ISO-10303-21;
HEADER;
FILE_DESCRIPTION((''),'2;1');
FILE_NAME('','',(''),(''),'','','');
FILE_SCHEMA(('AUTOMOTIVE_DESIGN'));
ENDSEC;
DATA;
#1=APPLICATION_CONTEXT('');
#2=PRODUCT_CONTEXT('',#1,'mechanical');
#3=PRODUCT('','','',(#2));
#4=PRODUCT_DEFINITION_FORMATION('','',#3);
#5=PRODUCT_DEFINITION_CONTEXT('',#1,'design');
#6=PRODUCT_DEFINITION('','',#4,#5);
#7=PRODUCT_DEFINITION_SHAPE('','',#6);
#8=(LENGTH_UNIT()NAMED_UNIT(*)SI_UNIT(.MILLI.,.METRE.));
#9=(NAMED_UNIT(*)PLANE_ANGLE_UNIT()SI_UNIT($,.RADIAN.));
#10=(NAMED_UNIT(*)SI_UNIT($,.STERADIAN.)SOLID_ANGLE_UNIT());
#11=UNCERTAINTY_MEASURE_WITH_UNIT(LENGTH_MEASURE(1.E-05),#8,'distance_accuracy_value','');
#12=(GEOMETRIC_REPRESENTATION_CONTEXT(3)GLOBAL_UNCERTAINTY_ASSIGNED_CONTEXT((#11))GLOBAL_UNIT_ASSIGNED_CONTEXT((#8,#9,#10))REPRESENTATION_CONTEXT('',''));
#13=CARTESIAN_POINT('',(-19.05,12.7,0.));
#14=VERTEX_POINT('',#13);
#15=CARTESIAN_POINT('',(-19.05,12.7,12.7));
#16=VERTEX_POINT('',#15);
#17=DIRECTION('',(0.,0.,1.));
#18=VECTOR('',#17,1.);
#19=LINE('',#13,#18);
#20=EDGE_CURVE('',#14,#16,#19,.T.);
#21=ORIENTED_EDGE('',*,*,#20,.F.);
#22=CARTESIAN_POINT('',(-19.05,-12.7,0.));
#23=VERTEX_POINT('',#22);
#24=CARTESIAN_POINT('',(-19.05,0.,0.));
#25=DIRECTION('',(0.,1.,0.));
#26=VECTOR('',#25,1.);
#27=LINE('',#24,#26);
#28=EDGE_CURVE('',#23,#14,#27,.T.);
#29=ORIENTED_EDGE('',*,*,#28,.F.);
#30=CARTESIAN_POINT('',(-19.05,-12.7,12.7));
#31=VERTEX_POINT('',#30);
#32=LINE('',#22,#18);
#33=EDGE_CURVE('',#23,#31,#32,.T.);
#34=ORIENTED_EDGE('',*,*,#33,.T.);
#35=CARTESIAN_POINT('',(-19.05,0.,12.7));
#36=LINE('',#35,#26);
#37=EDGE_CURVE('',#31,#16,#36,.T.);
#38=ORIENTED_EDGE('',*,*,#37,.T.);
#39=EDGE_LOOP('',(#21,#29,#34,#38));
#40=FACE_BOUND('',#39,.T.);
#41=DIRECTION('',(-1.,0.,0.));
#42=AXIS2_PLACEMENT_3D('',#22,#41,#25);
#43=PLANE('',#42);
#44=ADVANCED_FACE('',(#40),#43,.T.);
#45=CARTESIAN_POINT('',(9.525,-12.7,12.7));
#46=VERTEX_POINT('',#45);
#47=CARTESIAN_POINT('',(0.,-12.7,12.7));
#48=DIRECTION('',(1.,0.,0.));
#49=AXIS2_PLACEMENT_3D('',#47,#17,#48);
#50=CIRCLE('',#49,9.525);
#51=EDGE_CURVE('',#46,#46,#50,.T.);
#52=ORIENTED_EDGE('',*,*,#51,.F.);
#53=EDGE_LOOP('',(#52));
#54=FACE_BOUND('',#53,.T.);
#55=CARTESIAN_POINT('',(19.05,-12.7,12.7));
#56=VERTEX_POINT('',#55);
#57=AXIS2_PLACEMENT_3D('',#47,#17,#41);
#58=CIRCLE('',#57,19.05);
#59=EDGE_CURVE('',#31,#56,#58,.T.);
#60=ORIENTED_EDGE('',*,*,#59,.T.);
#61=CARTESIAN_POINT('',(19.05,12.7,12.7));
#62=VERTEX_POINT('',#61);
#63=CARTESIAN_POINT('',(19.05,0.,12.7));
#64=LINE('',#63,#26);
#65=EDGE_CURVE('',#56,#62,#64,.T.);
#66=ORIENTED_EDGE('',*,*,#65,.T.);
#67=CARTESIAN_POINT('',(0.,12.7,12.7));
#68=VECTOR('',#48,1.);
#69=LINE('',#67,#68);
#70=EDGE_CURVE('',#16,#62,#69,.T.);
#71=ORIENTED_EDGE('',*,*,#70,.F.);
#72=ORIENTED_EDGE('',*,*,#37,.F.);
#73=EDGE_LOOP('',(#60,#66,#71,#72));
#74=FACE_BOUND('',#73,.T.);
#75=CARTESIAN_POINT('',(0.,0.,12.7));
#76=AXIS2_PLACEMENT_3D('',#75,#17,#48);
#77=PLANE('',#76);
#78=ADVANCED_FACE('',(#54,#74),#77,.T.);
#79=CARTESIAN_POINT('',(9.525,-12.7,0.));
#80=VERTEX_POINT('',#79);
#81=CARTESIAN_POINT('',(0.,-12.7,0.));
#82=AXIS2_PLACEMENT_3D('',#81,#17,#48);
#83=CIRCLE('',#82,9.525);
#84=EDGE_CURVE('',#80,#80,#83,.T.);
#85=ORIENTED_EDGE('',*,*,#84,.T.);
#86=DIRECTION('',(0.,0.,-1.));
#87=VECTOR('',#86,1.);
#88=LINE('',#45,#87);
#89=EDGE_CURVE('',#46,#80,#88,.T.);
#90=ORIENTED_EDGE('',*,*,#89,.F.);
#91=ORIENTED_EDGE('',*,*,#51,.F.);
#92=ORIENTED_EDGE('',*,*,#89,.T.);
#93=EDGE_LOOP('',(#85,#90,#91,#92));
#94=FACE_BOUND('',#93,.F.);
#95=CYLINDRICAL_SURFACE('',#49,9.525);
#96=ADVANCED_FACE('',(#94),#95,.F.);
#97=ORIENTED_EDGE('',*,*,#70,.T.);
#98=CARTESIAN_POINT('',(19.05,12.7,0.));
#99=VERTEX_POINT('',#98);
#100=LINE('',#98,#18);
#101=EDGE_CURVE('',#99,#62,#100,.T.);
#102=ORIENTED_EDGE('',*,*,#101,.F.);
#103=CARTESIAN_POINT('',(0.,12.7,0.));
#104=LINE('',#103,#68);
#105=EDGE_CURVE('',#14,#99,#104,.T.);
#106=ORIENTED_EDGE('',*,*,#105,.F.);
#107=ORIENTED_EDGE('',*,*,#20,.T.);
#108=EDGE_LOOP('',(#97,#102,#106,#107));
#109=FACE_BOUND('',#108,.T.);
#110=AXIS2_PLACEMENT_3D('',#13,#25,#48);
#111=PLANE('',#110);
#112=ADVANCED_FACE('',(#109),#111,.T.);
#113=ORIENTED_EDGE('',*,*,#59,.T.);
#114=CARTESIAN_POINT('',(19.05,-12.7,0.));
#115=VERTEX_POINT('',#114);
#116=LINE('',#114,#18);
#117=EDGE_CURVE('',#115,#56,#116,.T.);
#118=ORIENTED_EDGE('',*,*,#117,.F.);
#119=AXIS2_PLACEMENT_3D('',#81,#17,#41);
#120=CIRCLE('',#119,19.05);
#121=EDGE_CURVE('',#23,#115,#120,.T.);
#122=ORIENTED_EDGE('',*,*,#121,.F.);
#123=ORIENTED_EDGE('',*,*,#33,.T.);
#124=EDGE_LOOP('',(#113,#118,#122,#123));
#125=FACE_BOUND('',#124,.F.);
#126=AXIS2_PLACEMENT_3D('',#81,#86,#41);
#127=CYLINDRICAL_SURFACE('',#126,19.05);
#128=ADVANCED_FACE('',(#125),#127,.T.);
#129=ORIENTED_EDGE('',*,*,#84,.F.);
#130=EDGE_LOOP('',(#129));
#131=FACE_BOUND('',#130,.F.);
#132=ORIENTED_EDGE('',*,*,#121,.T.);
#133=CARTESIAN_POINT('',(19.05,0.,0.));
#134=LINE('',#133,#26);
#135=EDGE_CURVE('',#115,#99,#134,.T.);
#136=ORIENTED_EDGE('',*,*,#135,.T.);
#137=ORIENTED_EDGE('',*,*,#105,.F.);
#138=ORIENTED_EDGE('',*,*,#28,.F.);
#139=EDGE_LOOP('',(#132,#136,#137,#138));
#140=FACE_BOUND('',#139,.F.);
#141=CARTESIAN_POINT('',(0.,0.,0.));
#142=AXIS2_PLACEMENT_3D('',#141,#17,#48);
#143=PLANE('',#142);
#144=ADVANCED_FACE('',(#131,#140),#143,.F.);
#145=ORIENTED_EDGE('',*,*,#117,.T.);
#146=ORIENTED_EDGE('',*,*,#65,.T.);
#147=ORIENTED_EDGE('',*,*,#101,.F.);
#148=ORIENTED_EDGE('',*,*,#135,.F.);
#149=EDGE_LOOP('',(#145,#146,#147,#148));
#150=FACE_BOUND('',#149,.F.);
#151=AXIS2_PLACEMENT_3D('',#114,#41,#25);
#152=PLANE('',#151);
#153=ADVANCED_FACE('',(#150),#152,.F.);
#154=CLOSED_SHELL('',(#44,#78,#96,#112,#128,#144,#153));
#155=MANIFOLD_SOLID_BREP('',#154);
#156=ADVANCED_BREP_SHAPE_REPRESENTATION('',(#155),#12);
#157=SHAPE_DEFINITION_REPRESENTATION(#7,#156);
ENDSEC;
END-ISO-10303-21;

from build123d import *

# Parameters (mm, degrees)
F0_W     = 38.1
F0_H     = 25.4
F1_DEPTH = 12.7
F2_R     = 9.525
F3_DEPTH = 12.701


with BuildPart() as f1:
    # F0 (on Top) → F1 (new body)
    with BuildSketch(Plane.XY):
        Rectangle(F0_W, F0_H)
        with BuildLine():
            Line((19.05, -12.7), (-19.05, -12.7))
            ThreePointArc((-19.05, -12.7), (0, -31.75), (19.05, -12.7))
        make_face()
    extrude(amount=F1_DEPTH)

    # F2 (on face) → F3 (cut, through all)
    with BuildSketch(Plane.XY.offset(12.7)):
        with Locations((0, -12.7)):
            Circle(F2_R)
    extrude(amount=-F3_DEPTH, mode=Mode.SUBTRACT)


solid = f1.part
